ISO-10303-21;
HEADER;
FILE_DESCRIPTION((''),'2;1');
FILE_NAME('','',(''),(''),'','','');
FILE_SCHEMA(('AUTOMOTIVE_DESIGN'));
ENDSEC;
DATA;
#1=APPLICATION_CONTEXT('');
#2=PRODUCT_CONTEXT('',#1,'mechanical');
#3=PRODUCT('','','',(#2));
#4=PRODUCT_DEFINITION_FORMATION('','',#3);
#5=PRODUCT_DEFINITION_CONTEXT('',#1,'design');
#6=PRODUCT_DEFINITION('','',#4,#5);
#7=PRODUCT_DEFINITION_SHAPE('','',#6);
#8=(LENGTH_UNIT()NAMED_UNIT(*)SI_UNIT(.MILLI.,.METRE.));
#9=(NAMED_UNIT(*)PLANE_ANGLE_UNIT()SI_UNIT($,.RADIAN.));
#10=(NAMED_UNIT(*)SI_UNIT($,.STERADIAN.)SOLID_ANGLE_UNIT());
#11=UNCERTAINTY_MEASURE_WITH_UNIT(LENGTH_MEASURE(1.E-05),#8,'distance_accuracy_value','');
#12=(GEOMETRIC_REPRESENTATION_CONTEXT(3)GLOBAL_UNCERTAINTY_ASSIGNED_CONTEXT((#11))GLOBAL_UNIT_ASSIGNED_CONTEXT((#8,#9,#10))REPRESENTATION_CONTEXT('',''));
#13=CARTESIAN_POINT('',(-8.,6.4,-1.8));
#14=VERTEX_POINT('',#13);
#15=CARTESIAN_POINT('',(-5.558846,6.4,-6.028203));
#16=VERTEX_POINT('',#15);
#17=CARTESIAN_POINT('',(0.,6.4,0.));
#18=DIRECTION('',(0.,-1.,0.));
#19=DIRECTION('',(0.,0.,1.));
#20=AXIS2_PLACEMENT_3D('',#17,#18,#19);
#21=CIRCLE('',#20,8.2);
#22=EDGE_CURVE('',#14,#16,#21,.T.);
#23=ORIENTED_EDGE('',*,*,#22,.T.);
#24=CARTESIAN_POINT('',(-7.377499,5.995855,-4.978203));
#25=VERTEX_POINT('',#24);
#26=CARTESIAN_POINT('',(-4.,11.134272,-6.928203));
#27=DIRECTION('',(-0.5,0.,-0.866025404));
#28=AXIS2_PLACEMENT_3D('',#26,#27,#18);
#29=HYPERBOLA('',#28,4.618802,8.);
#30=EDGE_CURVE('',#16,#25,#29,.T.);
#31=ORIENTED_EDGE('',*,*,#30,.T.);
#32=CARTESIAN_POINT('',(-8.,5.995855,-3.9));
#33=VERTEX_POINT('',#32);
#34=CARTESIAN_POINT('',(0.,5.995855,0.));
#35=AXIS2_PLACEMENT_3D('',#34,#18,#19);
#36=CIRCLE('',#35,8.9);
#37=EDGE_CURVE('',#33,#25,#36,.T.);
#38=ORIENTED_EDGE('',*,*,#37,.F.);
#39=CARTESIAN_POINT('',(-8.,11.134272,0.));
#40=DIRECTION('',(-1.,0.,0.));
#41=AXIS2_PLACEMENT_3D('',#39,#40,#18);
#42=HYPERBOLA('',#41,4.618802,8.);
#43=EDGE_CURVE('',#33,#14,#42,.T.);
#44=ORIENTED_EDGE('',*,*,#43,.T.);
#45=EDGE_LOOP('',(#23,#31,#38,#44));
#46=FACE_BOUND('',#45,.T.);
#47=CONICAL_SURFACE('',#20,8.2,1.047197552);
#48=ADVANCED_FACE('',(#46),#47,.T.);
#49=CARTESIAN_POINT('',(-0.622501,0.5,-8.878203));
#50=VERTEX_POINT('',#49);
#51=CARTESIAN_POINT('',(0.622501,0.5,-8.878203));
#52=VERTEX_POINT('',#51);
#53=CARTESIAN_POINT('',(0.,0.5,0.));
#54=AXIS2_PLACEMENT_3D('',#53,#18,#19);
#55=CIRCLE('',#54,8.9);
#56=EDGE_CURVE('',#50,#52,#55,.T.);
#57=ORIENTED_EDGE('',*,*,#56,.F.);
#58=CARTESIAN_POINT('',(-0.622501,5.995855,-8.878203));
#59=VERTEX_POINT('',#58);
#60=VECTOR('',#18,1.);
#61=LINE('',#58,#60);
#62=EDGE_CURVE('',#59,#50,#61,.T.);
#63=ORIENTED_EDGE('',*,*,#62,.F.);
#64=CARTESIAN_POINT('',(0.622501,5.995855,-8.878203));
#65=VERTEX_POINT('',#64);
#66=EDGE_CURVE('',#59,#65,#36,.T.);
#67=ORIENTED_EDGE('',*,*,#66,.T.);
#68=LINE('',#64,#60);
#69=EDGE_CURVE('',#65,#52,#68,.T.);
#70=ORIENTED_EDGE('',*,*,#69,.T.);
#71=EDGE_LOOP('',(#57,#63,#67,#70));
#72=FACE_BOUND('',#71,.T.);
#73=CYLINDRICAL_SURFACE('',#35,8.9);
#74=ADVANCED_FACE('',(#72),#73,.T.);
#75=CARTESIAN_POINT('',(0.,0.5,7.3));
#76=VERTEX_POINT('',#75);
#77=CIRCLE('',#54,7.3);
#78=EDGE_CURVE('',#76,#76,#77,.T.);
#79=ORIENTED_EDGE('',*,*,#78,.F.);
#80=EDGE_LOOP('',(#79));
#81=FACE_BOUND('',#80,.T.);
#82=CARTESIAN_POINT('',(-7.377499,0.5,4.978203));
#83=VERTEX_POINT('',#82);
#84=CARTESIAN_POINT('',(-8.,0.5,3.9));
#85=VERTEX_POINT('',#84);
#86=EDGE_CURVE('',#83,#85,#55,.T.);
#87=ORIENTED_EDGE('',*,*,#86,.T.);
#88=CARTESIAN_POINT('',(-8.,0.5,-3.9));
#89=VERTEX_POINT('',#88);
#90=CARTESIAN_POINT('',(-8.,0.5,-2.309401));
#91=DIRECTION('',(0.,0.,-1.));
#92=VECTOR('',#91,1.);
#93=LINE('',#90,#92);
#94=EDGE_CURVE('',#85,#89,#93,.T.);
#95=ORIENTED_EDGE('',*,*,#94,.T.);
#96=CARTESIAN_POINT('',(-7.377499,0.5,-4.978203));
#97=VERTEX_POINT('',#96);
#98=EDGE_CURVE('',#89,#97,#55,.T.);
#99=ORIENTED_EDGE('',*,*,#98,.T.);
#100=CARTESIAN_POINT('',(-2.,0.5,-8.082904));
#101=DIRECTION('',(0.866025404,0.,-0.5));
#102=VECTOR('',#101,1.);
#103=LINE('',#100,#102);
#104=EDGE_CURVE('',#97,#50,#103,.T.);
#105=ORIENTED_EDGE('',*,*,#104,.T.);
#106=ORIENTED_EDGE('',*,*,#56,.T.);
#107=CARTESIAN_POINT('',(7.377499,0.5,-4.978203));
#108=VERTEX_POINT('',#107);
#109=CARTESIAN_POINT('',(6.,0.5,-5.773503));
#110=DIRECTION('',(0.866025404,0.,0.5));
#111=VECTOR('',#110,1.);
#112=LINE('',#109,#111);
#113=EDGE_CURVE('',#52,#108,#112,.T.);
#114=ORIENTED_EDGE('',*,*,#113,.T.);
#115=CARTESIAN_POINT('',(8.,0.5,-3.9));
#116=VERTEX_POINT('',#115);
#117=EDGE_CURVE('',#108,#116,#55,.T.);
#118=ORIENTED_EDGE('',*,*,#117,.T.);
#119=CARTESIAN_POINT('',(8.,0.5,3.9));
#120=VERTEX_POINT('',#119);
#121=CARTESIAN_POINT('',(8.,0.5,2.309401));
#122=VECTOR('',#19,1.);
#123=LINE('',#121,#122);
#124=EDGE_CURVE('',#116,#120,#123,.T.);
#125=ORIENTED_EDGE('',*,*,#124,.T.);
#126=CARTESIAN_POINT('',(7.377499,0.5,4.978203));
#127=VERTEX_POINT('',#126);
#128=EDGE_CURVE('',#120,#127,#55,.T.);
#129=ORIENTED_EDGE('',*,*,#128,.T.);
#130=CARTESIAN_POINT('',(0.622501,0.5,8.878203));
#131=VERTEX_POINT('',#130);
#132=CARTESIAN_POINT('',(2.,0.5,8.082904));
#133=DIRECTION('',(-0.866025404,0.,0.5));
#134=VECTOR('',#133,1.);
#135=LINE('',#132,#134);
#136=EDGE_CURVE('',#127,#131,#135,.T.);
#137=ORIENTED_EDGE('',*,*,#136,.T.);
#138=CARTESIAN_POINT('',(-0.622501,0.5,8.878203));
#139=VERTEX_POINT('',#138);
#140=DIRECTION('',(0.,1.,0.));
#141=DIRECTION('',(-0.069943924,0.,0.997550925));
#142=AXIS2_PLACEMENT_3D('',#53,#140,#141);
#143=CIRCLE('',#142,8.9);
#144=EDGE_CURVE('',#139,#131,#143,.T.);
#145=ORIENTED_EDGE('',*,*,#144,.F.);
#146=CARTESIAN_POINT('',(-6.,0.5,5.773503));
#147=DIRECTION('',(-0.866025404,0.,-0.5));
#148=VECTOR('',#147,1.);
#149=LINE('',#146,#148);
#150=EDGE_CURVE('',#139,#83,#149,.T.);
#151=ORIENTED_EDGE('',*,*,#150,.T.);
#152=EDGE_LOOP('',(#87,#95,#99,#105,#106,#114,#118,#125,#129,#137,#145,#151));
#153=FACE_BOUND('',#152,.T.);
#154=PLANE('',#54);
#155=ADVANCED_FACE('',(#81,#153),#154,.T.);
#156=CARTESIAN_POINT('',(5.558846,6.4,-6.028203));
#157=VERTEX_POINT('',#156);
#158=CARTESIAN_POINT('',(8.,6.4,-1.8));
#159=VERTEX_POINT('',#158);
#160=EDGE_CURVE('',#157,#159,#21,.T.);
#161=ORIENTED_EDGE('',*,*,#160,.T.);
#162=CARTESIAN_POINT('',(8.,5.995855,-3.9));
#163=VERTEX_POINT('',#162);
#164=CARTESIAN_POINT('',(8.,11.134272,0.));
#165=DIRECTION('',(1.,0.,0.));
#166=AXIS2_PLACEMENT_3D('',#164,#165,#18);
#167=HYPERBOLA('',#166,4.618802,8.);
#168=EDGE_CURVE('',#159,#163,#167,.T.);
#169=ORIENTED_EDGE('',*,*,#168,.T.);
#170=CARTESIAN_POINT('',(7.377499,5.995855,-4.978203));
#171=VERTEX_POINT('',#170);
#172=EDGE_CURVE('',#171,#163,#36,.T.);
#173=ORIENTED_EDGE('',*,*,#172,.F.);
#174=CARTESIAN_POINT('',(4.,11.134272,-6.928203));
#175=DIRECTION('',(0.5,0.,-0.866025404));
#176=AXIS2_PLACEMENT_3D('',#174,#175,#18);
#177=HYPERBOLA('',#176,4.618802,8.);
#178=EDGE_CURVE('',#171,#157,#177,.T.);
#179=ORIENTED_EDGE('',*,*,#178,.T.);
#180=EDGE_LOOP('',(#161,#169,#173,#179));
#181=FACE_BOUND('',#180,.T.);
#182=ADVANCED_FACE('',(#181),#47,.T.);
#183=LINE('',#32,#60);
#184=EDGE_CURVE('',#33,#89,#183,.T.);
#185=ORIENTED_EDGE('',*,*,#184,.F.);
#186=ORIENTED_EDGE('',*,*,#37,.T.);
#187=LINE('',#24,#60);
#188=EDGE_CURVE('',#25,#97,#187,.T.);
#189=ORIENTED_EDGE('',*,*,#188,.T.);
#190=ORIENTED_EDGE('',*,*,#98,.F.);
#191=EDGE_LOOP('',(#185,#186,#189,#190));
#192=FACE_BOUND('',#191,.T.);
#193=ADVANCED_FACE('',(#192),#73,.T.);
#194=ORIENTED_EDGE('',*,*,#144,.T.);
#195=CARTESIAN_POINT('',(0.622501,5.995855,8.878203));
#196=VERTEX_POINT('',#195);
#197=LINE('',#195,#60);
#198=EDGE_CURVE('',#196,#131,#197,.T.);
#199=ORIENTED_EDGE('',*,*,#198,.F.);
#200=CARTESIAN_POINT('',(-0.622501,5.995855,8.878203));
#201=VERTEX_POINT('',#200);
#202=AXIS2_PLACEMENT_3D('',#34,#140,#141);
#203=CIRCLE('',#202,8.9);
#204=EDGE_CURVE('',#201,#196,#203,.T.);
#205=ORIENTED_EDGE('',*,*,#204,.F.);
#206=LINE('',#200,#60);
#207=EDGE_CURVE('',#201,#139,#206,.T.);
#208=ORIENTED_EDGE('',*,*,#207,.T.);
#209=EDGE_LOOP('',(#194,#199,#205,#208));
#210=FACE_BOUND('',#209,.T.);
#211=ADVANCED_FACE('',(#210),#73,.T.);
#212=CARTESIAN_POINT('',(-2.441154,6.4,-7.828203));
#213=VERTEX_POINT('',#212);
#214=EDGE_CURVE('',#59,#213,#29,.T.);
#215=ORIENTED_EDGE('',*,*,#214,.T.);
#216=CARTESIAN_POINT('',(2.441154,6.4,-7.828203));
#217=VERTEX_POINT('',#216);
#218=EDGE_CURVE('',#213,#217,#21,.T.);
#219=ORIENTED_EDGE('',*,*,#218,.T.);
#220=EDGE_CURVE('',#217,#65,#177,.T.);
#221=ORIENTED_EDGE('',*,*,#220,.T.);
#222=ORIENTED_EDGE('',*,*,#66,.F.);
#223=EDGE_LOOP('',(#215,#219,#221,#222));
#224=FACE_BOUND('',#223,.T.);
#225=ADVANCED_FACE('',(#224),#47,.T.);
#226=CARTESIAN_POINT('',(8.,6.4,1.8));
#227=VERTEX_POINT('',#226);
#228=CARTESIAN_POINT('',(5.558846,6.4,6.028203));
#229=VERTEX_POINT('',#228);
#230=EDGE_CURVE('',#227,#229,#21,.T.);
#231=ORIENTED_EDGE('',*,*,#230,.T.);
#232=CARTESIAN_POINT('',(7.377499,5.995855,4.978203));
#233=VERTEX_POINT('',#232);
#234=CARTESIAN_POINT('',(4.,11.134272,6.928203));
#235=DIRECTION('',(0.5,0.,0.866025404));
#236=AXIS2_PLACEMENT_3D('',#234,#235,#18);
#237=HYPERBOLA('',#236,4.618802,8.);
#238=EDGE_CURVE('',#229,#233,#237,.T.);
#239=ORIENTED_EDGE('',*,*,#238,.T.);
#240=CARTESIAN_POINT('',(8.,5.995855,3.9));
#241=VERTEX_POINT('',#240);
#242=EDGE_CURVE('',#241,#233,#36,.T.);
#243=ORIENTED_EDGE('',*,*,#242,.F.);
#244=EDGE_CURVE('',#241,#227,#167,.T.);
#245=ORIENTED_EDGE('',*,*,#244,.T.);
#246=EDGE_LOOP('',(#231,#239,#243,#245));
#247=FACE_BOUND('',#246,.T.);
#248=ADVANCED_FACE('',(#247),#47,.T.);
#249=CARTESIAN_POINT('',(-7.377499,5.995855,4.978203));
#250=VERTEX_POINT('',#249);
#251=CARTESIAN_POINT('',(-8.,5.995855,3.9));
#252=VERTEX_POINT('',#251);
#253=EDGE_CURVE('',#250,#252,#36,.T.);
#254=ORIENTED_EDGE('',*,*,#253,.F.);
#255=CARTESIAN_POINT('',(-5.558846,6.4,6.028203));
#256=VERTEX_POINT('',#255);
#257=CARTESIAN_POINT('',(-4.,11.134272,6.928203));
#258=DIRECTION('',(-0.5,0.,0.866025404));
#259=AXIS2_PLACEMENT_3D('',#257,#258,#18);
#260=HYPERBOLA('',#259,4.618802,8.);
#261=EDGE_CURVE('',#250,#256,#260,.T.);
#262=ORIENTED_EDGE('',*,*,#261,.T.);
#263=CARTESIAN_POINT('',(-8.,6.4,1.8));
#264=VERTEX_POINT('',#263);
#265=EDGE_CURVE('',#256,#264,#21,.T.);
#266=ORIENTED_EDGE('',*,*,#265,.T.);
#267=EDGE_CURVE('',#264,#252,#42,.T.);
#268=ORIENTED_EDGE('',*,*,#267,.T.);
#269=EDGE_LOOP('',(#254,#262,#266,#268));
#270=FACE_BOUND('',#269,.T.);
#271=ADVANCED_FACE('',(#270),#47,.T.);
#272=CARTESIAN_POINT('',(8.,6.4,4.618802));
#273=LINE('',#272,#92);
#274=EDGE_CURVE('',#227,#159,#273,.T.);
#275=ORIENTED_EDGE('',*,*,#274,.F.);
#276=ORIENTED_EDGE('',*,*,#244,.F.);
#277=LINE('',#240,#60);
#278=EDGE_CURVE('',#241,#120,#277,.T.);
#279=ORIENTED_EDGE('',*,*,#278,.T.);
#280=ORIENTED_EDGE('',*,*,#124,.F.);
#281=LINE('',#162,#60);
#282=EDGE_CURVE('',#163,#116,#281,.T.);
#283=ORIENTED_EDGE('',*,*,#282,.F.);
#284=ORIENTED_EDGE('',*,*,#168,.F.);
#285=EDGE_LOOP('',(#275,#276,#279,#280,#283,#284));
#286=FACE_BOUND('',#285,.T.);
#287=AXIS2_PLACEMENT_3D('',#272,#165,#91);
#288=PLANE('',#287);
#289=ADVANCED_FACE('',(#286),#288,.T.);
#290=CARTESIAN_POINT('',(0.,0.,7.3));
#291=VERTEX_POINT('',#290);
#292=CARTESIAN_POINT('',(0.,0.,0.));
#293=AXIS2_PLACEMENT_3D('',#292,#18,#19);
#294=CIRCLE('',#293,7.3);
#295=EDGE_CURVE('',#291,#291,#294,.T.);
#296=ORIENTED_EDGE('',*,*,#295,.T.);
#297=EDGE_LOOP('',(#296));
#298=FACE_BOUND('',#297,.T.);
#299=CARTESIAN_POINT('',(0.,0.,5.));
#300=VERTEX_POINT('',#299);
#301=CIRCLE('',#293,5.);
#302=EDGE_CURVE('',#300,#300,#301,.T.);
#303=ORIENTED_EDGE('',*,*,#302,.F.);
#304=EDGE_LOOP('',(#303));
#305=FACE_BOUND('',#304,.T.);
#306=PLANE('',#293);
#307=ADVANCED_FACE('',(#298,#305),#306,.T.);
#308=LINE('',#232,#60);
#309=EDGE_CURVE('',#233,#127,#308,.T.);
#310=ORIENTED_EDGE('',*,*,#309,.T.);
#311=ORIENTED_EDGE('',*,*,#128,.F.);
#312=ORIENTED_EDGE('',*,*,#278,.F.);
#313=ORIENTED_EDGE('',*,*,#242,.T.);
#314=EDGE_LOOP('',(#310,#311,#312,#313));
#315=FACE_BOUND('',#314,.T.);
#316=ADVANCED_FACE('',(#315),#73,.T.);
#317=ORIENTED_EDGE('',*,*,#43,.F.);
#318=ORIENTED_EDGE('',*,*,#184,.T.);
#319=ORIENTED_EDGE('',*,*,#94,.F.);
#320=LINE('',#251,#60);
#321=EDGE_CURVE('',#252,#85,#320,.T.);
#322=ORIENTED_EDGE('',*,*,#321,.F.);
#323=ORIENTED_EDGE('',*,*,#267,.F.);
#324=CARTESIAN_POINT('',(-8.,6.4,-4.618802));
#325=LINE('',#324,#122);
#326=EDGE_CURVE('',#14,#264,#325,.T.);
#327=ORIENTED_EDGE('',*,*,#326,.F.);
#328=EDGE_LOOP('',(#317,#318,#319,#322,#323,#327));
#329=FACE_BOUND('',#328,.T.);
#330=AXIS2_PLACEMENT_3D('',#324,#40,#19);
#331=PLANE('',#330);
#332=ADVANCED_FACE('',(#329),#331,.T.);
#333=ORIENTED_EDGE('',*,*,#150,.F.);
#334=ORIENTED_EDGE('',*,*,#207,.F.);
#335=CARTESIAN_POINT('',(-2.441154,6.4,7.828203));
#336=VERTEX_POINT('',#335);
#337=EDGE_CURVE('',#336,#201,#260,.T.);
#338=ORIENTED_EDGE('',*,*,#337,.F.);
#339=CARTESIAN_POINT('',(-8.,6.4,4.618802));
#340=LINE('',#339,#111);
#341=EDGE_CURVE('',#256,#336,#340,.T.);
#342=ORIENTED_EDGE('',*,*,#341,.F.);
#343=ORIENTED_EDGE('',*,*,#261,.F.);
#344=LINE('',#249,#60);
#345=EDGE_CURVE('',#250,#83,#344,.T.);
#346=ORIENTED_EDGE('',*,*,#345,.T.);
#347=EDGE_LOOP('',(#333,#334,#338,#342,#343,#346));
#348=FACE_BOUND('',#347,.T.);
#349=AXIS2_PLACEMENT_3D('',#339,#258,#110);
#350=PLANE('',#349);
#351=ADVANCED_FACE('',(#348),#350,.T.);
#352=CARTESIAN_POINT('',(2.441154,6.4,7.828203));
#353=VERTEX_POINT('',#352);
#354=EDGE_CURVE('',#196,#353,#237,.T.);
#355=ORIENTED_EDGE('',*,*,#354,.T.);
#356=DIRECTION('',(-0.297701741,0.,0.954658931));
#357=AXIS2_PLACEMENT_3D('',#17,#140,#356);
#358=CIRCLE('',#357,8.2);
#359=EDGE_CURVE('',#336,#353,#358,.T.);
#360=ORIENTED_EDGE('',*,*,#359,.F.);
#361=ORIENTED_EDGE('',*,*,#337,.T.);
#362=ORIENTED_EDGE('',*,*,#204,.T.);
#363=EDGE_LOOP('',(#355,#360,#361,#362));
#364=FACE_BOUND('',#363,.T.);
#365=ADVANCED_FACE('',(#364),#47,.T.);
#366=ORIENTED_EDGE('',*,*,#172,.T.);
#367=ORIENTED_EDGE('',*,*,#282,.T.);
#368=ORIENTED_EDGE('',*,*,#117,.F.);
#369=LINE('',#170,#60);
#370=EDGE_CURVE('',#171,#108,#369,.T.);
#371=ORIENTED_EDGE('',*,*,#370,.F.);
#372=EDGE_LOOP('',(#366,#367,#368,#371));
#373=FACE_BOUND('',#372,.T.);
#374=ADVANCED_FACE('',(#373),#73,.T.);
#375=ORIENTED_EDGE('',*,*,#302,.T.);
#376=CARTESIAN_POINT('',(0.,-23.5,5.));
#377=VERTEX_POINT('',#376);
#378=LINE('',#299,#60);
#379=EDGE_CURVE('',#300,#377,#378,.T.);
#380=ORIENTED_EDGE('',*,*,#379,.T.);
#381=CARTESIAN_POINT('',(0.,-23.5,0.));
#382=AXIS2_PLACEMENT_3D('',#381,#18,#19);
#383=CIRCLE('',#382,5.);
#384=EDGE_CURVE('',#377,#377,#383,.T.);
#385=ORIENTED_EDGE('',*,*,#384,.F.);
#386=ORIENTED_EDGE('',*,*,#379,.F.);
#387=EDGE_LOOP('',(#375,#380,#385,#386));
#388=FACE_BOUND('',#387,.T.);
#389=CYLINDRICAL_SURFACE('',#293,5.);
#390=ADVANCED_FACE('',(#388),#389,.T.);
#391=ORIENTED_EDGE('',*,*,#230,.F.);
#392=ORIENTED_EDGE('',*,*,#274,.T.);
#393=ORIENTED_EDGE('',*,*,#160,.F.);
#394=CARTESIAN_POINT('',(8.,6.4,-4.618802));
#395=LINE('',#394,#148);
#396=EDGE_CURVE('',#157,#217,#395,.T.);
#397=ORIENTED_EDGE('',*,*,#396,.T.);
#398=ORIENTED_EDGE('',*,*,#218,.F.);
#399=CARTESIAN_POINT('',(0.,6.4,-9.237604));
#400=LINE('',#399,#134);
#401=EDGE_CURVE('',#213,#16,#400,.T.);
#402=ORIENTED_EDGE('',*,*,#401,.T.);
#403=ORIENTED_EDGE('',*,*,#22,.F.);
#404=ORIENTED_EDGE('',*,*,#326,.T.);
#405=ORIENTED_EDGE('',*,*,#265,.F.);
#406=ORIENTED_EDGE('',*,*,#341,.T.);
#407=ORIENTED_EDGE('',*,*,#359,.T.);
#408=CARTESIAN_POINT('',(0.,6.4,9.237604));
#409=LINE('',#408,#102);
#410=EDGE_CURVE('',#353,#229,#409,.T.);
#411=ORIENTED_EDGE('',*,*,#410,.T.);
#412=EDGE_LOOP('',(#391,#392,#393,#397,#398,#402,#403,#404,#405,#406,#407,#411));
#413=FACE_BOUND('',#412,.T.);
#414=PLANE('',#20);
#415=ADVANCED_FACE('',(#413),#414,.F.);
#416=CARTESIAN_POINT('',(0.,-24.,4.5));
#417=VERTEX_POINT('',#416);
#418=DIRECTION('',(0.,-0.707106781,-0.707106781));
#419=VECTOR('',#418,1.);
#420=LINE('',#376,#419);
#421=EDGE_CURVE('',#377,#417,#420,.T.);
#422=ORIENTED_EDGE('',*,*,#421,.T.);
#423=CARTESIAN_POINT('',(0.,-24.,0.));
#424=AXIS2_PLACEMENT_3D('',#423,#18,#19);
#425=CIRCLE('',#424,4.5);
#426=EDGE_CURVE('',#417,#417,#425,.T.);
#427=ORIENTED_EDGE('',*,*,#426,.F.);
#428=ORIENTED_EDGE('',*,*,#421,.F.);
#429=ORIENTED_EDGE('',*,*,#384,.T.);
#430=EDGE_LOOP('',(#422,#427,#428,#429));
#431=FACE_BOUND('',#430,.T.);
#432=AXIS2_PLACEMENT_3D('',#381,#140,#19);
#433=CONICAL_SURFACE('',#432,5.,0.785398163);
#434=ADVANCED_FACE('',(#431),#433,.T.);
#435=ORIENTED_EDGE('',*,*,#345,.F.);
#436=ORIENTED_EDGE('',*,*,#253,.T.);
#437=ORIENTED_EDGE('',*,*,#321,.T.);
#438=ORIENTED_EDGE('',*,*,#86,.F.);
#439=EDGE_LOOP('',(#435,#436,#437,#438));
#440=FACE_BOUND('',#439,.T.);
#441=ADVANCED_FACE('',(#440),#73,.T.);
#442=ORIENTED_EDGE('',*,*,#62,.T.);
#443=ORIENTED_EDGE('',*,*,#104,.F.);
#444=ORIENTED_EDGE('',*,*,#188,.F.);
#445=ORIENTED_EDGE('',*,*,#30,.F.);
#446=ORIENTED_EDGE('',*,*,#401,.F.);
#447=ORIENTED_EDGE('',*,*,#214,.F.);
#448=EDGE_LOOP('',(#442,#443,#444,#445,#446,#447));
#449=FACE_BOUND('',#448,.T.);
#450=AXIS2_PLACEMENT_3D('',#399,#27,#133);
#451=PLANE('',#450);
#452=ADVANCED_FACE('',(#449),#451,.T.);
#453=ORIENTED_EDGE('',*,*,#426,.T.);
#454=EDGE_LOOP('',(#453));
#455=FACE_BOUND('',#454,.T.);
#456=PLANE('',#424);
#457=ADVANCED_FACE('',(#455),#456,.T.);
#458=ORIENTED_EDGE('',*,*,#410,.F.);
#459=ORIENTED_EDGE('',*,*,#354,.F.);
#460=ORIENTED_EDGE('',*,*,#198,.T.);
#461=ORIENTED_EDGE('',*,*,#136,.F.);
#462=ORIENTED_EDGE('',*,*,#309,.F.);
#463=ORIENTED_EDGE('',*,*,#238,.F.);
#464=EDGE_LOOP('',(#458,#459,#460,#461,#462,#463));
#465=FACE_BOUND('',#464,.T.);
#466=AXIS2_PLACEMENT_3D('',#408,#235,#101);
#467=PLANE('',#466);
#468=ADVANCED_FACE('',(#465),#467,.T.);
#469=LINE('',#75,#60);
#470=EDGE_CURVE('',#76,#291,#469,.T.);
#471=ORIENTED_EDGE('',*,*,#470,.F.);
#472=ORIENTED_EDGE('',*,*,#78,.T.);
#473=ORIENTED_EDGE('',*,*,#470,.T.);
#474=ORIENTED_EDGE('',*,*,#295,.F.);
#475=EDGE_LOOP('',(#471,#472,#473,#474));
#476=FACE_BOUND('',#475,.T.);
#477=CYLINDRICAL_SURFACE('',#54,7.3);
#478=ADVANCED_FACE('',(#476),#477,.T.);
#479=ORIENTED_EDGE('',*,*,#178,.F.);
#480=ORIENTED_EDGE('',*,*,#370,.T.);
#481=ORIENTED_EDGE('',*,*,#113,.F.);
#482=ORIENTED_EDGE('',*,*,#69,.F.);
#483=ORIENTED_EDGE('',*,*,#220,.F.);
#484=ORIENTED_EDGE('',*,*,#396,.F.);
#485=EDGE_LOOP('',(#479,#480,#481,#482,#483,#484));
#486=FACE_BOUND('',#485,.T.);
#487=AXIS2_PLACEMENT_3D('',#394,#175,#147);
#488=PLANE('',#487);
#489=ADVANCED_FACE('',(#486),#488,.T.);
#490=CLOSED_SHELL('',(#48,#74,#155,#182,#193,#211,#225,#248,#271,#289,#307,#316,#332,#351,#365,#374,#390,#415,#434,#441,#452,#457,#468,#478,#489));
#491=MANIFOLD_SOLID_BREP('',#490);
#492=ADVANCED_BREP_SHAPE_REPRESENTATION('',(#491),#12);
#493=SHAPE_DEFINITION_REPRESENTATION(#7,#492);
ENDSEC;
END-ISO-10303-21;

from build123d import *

# Parameters (mm, degrees)
SZKIC2_OUTSIDE_W           = 27.694
SZKIC2_OUTSIDE_H           = 27.694
WYTNIJ_WYCI_GNI_CIE1_DEPTH = 30.4


with BuildPart() as part:
    # Szkic1 → Obrót1 (revolve)
    with BuildSketch(Plane.XY, mode=Mode.PRIVATE) as obr_t1_sk:
        Polygon((0, 6.4), (8.2, 6.4), (8.9, 5.995854812), (8.9, 0.5), (7.3, 0.5), (7.3, 0), (5, 0), (5, -23.5), (4.5, -24), (0, -24), align=None)
    revolve(obr_t1_sk.sketch.rotate(Axis((0, 37.287865055, 0), (0, -1, 0)), 90), axis=Axis((0, 37.287865055, 0), (0, -1, 0)))

    # Szkic2 outside → Wytnij-wyciągnięcie1 (cut)
    with BuildSketch(Plane(origin=(0, 6.4, 0), x_dir=(1, 0, 0), z_dir=(0, 1, 0))):
        Rectangle(SZKIC2_OUTSIDE_W, SZKIC2_OUTSIDE_H)
        Polygon((0, 9.237604307), (-8, 4.618802154), (-8, -4.618802154), (0, -9.237604307), (8, -4.618802154), (8, 4.618802154), align=None, mode=Mode.SUBTRACT)
    extrude(amount=-WYTNIJ_WYCI_GNI_CIE1_DEPTH, mode=Mode.SUBTRACT)


solid = part.part
